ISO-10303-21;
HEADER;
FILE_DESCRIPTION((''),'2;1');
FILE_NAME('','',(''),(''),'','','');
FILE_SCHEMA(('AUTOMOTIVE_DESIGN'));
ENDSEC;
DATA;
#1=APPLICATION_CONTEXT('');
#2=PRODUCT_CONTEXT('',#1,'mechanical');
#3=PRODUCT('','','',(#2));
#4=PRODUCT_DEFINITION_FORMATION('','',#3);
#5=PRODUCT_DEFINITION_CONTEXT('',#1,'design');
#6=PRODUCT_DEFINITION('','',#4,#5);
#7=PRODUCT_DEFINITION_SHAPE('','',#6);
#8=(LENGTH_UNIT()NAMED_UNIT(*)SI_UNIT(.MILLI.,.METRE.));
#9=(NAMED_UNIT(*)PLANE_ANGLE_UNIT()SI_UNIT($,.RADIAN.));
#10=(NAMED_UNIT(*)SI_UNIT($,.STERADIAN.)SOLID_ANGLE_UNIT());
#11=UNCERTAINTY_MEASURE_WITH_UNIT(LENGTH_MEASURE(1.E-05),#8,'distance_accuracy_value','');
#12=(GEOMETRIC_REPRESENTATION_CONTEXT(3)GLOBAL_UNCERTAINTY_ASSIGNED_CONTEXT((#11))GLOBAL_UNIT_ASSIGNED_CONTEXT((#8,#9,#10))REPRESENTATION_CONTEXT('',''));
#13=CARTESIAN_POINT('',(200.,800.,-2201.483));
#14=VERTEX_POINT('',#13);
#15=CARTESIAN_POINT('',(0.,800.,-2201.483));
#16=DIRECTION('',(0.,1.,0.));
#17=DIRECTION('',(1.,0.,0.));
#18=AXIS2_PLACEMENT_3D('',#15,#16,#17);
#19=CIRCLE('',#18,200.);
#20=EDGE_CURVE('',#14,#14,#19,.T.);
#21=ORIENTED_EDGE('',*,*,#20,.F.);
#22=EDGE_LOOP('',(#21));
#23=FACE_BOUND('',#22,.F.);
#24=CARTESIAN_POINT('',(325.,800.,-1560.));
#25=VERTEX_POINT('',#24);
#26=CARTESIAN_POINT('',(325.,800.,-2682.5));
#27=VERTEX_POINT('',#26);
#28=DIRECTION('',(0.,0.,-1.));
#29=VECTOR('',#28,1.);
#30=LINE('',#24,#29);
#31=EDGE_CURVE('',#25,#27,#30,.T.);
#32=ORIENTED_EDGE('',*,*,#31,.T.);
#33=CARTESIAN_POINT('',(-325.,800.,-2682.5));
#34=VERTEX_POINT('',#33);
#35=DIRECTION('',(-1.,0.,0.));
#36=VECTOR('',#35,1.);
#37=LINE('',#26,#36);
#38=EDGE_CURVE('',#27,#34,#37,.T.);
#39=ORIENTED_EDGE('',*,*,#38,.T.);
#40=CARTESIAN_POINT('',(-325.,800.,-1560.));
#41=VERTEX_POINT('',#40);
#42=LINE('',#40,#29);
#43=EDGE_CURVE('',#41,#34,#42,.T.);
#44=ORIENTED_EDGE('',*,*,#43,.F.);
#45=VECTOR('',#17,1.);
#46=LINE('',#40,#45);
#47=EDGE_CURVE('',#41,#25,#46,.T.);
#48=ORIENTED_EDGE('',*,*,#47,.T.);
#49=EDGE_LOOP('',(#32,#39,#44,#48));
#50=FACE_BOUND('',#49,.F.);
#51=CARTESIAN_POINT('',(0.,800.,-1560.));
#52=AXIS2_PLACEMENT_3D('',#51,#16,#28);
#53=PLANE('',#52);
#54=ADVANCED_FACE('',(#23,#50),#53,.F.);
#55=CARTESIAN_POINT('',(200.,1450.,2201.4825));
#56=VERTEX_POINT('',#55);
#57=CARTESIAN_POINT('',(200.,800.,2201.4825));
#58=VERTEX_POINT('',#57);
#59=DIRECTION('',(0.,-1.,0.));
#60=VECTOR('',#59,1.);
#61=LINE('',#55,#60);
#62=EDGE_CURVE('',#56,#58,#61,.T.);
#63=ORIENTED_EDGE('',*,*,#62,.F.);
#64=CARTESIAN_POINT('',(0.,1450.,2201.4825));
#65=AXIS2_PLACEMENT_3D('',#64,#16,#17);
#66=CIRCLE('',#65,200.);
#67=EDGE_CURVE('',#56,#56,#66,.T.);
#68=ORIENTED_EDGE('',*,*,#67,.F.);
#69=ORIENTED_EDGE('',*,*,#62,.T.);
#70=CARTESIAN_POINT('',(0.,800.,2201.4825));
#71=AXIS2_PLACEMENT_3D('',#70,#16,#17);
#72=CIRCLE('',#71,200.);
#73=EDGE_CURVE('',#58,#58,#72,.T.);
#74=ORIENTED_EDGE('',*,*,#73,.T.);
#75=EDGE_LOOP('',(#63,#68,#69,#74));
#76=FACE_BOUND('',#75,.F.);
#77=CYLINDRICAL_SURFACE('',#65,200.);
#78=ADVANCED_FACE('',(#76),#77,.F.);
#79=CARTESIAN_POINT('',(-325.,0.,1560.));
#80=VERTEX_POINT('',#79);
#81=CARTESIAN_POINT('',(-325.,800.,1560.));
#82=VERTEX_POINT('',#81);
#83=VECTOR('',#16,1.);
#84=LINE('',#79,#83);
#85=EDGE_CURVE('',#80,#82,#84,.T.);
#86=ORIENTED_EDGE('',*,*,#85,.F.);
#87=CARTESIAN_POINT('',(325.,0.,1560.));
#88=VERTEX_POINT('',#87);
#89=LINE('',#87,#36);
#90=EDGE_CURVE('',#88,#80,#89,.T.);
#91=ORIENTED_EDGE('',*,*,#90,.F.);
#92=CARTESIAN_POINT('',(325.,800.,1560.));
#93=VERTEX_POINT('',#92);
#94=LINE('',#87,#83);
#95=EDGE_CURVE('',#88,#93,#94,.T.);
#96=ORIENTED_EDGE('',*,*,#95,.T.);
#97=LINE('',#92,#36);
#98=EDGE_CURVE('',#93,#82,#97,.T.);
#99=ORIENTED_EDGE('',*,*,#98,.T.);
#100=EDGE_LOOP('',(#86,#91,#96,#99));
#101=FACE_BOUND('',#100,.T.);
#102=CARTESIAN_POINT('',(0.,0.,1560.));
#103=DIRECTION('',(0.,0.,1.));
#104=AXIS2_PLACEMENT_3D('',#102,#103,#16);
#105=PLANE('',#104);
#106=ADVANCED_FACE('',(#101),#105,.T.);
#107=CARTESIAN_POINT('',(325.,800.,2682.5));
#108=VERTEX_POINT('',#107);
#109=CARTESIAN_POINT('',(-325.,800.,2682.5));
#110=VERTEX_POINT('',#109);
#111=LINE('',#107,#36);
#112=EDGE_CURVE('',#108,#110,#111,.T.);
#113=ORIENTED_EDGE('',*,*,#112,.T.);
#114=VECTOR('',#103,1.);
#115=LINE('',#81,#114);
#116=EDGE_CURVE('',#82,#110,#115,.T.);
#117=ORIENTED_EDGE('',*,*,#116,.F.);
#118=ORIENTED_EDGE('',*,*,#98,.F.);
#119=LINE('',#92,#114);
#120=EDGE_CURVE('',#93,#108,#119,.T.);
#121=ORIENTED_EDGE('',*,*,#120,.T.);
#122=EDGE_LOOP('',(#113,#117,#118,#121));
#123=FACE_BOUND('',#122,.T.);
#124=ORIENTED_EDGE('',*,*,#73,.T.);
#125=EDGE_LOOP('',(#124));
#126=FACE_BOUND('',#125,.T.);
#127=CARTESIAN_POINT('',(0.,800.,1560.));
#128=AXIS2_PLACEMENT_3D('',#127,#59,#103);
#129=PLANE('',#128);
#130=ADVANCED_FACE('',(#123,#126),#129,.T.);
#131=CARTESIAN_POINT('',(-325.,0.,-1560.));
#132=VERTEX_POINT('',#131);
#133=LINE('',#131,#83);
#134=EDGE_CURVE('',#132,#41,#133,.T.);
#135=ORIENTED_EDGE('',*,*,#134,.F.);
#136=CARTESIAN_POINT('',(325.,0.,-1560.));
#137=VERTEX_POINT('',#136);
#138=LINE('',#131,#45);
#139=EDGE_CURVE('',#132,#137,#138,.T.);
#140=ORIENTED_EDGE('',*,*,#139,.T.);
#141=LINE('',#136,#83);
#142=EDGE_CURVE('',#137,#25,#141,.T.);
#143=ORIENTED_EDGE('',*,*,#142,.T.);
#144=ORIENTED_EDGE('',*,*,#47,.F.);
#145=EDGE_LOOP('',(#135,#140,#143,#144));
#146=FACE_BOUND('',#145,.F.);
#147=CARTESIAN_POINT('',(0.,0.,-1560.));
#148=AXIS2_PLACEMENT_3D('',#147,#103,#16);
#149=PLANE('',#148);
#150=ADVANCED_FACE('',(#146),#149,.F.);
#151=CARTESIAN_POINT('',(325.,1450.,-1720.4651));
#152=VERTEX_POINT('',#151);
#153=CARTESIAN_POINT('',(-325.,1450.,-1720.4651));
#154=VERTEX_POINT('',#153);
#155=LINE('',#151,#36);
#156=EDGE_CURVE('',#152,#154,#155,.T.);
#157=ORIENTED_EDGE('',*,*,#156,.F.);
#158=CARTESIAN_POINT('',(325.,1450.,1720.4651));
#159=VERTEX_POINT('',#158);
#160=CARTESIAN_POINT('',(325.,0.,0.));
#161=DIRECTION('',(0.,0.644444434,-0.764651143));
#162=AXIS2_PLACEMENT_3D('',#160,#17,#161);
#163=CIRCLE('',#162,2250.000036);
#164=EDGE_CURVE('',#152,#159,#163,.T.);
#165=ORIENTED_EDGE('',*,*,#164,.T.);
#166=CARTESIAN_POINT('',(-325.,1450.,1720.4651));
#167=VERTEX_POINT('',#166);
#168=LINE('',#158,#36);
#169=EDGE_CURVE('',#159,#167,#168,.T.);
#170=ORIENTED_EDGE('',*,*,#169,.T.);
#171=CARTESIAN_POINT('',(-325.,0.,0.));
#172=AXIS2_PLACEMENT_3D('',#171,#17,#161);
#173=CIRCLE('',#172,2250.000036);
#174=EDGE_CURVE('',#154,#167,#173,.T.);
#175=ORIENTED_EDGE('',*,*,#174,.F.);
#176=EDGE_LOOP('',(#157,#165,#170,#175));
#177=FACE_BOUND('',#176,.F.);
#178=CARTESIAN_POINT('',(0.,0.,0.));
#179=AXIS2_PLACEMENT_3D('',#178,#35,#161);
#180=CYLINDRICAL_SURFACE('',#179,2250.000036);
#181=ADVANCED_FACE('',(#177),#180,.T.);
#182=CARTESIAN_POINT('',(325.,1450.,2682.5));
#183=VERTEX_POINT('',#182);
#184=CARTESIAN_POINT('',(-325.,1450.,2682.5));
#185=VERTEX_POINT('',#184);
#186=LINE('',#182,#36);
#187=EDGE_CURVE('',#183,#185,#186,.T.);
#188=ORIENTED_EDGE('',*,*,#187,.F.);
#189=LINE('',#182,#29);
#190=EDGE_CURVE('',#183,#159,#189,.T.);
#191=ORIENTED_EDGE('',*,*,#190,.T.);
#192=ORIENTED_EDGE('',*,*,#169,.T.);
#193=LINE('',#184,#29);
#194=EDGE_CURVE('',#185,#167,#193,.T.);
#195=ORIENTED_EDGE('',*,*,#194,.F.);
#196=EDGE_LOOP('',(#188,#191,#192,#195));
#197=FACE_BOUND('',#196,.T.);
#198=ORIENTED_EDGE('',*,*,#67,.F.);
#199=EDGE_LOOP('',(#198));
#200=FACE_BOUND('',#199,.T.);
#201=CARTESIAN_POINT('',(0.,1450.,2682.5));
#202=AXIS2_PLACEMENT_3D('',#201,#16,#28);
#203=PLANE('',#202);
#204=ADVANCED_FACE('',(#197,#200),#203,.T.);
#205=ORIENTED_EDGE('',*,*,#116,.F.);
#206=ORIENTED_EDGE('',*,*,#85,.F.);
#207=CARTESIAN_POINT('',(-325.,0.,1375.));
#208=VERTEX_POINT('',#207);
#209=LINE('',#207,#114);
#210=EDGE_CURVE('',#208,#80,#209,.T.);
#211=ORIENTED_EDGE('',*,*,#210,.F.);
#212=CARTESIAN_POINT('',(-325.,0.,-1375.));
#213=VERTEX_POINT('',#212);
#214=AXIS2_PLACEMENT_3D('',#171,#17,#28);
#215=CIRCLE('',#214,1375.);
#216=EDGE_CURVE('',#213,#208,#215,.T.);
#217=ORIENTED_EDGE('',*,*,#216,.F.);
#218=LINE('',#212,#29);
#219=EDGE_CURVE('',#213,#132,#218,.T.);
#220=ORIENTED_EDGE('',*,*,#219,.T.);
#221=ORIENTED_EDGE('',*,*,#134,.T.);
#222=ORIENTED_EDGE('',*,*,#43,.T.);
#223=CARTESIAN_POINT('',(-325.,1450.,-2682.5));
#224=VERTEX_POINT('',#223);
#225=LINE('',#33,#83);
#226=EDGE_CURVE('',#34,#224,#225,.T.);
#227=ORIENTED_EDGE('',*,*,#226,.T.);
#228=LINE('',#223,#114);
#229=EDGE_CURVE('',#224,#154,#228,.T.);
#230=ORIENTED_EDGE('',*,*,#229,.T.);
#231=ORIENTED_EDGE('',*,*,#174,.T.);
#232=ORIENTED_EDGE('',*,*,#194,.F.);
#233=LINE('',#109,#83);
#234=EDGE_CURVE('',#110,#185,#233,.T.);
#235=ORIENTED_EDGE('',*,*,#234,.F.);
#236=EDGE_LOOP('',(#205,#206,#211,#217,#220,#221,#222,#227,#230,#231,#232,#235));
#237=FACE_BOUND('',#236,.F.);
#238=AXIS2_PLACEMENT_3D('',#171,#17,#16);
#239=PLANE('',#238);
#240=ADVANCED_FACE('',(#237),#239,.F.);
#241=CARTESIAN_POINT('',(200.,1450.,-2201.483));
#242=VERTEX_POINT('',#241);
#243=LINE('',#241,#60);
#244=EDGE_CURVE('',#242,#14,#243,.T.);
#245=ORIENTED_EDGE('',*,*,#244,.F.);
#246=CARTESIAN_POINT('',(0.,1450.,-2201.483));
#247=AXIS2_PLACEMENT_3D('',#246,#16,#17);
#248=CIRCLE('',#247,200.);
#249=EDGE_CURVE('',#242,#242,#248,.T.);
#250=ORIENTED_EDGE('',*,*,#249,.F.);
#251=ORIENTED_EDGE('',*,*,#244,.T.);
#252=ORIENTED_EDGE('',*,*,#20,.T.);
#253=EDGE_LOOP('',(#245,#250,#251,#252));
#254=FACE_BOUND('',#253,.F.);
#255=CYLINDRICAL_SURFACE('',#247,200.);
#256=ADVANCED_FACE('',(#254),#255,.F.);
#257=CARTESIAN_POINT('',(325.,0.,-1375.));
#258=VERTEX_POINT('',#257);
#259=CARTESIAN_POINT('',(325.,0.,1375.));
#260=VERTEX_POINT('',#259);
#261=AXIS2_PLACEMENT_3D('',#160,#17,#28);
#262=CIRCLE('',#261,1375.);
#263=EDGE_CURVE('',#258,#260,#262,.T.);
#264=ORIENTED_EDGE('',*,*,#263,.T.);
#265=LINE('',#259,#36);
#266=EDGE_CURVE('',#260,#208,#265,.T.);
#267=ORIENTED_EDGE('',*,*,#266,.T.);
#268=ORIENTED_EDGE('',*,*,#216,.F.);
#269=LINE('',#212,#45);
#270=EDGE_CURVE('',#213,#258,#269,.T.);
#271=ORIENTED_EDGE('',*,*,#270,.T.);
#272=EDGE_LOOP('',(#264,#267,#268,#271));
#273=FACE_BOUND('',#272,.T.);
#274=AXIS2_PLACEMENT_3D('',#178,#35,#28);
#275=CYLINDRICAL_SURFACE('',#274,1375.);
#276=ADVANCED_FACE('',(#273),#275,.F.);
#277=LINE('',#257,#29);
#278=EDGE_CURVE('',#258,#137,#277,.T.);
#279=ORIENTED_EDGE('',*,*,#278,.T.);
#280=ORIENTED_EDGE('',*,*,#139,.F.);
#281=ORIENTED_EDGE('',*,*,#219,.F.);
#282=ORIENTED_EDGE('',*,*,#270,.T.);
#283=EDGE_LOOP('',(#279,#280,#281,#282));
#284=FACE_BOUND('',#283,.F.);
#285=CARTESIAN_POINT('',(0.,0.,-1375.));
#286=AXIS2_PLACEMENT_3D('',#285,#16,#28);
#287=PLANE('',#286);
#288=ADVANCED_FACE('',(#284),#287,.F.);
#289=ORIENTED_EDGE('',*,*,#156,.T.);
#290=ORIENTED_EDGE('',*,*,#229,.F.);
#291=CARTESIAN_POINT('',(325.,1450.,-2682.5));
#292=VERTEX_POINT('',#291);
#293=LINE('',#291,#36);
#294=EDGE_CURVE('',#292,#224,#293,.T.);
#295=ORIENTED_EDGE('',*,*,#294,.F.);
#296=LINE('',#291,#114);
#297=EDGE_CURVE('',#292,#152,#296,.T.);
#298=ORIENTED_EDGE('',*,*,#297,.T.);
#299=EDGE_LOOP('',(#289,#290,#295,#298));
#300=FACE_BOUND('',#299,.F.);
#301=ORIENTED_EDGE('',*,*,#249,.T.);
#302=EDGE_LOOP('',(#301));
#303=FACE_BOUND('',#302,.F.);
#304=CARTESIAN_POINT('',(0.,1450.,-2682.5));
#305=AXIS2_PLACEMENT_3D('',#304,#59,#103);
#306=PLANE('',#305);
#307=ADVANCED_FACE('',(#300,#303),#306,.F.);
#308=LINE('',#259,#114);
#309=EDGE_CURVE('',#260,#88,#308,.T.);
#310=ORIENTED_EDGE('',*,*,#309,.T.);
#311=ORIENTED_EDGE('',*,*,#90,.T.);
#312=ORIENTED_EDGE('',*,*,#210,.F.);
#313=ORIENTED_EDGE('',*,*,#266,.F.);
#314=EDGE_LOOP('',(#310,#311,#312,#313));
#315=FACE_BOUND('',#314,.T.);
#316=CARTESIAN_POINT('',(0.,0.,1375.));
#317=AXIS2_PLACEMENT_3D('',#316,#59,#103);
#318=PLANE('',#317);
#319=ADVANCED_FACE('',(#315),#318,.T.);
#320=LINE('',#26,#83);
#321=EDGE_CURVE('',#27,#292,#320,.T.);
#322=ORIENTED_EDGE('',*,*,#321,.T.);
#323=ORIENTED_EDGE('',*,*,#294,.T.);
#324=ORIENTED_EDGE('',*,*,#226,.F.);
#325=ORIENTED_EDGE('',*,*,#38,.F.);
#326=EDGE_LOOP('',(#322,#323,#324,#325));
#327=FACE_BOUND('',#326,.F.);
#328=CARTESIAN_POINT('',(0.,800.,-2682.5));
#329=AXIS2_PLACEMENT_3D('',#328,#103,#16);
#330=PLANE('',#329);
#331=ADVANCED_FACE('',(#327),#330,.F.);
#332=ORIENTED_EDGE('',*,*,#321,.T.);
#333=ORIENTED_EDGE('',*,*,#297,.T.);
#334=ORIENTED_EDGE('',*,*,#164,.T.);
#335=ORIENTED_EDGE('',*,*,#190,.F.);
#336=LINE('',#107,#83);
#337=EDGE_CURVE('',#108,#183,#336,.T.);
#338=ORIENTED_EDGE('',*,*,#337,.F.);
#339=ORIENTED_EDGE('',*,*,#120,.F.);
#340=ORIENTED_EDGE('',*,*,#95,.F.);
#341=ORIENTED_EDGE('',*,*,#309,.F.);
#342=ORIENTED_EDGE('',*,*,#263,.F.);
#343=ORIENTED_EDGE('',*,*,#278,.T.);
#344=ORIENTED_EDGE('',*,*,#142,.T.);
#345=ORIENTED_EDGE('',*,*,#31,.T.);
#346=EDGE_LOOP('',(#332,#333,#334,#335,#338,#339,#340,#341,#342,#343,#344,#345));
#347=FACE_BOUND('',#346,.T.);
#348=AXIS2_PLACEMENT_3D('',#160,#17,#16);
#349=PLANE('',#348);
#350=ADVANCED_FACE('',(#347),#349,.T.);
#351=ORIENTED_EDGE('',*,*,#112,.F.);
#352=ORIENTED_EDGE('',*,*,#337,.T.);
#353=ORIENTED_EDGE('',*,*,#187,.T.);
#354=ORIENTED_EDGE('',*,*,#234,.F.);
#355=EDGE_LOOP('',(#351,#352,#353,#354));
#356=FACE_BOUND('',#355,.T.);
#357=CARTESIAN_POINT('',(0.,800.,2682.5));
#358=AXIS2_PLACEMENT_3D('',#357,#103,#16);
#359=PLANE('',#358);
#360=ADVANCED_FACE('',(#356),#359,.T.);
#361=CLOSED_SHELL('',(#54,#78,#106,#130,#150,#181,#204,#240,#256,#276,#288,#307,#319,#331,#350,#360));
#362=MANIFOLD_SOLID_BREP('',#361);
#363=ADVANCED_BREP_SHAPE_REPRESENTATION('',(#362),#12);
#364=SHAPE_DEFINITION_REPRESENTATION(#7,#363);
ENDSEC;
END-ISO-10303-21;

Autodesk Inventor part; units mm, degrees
ref_plane "YZ Plane" through (0, 0, 0) normal (1, 0, 0) x (0, 1, 0)
ref_plane "XZ Plane" through (0, 0, 0) normal (0, 1, 0) x (-1, 0, 0)
ref_plane "XY Plane" through (0, 0, 0) normal (0, 0, 1) x (1, 0, 0)
sketch "Sketch1" plane through (0, 0, 0) normal (1, 0, 0) x (0, 1, 0)
  arc A0 (0, -1375) -> (0, 1375) centre (0, 0) ccw
  line L0 (0, -1375) -> (0, -1560)
  line L1 (0, 1375) -> (0, 1560)
  line L2 (0, 1560) -> (800, 1560)
  line L3 (800, 1560) -> (800, 2682.5)
  line L4 (0, -1560) -> (800, -1560)
  line L5 (800, -1560) -> (800, -2682.5)
  line L6 (800, -2682.5) -> (1450, -2682.5)
  line L7 (800, 2682.5) -> (1450, 2682.5)
  line L8 (1450, 2682.5) -> (1450, 1720.4651)
  line L9 (1450, -2682.5) -> (1450, -1720.4651)
  arc A1 (1450, -1720.4651) -> (1450, 1720.4651) centre (0, 0) ccw
  dimension "d3" = 185
  dimension "d4" = 185
  dimension "d5" = 800
  dimension "d6" = 1122.5
  dimension "d7" = 800
  dimension "d8" = 1122.5
  dimension "d9" = 650
  dimension "d10" = 650
extrude "Extrusion1" add sketch "Sketch1" along normal mid plane 650
sketch "Sketch2" plane through (-325, 1450, 2682.5) normal (0, 1, 0) x (1, 0, 0)
  circle A0 centre (325, 481.0175) radius 200
  circle A1 centre (325, 4883.983) radius 200
  point P0 (325, 2682.5)
  point P1 (0, 5365)
extrude "Extrusion2" cut sketch "Sketch2" against normal blind 7000
